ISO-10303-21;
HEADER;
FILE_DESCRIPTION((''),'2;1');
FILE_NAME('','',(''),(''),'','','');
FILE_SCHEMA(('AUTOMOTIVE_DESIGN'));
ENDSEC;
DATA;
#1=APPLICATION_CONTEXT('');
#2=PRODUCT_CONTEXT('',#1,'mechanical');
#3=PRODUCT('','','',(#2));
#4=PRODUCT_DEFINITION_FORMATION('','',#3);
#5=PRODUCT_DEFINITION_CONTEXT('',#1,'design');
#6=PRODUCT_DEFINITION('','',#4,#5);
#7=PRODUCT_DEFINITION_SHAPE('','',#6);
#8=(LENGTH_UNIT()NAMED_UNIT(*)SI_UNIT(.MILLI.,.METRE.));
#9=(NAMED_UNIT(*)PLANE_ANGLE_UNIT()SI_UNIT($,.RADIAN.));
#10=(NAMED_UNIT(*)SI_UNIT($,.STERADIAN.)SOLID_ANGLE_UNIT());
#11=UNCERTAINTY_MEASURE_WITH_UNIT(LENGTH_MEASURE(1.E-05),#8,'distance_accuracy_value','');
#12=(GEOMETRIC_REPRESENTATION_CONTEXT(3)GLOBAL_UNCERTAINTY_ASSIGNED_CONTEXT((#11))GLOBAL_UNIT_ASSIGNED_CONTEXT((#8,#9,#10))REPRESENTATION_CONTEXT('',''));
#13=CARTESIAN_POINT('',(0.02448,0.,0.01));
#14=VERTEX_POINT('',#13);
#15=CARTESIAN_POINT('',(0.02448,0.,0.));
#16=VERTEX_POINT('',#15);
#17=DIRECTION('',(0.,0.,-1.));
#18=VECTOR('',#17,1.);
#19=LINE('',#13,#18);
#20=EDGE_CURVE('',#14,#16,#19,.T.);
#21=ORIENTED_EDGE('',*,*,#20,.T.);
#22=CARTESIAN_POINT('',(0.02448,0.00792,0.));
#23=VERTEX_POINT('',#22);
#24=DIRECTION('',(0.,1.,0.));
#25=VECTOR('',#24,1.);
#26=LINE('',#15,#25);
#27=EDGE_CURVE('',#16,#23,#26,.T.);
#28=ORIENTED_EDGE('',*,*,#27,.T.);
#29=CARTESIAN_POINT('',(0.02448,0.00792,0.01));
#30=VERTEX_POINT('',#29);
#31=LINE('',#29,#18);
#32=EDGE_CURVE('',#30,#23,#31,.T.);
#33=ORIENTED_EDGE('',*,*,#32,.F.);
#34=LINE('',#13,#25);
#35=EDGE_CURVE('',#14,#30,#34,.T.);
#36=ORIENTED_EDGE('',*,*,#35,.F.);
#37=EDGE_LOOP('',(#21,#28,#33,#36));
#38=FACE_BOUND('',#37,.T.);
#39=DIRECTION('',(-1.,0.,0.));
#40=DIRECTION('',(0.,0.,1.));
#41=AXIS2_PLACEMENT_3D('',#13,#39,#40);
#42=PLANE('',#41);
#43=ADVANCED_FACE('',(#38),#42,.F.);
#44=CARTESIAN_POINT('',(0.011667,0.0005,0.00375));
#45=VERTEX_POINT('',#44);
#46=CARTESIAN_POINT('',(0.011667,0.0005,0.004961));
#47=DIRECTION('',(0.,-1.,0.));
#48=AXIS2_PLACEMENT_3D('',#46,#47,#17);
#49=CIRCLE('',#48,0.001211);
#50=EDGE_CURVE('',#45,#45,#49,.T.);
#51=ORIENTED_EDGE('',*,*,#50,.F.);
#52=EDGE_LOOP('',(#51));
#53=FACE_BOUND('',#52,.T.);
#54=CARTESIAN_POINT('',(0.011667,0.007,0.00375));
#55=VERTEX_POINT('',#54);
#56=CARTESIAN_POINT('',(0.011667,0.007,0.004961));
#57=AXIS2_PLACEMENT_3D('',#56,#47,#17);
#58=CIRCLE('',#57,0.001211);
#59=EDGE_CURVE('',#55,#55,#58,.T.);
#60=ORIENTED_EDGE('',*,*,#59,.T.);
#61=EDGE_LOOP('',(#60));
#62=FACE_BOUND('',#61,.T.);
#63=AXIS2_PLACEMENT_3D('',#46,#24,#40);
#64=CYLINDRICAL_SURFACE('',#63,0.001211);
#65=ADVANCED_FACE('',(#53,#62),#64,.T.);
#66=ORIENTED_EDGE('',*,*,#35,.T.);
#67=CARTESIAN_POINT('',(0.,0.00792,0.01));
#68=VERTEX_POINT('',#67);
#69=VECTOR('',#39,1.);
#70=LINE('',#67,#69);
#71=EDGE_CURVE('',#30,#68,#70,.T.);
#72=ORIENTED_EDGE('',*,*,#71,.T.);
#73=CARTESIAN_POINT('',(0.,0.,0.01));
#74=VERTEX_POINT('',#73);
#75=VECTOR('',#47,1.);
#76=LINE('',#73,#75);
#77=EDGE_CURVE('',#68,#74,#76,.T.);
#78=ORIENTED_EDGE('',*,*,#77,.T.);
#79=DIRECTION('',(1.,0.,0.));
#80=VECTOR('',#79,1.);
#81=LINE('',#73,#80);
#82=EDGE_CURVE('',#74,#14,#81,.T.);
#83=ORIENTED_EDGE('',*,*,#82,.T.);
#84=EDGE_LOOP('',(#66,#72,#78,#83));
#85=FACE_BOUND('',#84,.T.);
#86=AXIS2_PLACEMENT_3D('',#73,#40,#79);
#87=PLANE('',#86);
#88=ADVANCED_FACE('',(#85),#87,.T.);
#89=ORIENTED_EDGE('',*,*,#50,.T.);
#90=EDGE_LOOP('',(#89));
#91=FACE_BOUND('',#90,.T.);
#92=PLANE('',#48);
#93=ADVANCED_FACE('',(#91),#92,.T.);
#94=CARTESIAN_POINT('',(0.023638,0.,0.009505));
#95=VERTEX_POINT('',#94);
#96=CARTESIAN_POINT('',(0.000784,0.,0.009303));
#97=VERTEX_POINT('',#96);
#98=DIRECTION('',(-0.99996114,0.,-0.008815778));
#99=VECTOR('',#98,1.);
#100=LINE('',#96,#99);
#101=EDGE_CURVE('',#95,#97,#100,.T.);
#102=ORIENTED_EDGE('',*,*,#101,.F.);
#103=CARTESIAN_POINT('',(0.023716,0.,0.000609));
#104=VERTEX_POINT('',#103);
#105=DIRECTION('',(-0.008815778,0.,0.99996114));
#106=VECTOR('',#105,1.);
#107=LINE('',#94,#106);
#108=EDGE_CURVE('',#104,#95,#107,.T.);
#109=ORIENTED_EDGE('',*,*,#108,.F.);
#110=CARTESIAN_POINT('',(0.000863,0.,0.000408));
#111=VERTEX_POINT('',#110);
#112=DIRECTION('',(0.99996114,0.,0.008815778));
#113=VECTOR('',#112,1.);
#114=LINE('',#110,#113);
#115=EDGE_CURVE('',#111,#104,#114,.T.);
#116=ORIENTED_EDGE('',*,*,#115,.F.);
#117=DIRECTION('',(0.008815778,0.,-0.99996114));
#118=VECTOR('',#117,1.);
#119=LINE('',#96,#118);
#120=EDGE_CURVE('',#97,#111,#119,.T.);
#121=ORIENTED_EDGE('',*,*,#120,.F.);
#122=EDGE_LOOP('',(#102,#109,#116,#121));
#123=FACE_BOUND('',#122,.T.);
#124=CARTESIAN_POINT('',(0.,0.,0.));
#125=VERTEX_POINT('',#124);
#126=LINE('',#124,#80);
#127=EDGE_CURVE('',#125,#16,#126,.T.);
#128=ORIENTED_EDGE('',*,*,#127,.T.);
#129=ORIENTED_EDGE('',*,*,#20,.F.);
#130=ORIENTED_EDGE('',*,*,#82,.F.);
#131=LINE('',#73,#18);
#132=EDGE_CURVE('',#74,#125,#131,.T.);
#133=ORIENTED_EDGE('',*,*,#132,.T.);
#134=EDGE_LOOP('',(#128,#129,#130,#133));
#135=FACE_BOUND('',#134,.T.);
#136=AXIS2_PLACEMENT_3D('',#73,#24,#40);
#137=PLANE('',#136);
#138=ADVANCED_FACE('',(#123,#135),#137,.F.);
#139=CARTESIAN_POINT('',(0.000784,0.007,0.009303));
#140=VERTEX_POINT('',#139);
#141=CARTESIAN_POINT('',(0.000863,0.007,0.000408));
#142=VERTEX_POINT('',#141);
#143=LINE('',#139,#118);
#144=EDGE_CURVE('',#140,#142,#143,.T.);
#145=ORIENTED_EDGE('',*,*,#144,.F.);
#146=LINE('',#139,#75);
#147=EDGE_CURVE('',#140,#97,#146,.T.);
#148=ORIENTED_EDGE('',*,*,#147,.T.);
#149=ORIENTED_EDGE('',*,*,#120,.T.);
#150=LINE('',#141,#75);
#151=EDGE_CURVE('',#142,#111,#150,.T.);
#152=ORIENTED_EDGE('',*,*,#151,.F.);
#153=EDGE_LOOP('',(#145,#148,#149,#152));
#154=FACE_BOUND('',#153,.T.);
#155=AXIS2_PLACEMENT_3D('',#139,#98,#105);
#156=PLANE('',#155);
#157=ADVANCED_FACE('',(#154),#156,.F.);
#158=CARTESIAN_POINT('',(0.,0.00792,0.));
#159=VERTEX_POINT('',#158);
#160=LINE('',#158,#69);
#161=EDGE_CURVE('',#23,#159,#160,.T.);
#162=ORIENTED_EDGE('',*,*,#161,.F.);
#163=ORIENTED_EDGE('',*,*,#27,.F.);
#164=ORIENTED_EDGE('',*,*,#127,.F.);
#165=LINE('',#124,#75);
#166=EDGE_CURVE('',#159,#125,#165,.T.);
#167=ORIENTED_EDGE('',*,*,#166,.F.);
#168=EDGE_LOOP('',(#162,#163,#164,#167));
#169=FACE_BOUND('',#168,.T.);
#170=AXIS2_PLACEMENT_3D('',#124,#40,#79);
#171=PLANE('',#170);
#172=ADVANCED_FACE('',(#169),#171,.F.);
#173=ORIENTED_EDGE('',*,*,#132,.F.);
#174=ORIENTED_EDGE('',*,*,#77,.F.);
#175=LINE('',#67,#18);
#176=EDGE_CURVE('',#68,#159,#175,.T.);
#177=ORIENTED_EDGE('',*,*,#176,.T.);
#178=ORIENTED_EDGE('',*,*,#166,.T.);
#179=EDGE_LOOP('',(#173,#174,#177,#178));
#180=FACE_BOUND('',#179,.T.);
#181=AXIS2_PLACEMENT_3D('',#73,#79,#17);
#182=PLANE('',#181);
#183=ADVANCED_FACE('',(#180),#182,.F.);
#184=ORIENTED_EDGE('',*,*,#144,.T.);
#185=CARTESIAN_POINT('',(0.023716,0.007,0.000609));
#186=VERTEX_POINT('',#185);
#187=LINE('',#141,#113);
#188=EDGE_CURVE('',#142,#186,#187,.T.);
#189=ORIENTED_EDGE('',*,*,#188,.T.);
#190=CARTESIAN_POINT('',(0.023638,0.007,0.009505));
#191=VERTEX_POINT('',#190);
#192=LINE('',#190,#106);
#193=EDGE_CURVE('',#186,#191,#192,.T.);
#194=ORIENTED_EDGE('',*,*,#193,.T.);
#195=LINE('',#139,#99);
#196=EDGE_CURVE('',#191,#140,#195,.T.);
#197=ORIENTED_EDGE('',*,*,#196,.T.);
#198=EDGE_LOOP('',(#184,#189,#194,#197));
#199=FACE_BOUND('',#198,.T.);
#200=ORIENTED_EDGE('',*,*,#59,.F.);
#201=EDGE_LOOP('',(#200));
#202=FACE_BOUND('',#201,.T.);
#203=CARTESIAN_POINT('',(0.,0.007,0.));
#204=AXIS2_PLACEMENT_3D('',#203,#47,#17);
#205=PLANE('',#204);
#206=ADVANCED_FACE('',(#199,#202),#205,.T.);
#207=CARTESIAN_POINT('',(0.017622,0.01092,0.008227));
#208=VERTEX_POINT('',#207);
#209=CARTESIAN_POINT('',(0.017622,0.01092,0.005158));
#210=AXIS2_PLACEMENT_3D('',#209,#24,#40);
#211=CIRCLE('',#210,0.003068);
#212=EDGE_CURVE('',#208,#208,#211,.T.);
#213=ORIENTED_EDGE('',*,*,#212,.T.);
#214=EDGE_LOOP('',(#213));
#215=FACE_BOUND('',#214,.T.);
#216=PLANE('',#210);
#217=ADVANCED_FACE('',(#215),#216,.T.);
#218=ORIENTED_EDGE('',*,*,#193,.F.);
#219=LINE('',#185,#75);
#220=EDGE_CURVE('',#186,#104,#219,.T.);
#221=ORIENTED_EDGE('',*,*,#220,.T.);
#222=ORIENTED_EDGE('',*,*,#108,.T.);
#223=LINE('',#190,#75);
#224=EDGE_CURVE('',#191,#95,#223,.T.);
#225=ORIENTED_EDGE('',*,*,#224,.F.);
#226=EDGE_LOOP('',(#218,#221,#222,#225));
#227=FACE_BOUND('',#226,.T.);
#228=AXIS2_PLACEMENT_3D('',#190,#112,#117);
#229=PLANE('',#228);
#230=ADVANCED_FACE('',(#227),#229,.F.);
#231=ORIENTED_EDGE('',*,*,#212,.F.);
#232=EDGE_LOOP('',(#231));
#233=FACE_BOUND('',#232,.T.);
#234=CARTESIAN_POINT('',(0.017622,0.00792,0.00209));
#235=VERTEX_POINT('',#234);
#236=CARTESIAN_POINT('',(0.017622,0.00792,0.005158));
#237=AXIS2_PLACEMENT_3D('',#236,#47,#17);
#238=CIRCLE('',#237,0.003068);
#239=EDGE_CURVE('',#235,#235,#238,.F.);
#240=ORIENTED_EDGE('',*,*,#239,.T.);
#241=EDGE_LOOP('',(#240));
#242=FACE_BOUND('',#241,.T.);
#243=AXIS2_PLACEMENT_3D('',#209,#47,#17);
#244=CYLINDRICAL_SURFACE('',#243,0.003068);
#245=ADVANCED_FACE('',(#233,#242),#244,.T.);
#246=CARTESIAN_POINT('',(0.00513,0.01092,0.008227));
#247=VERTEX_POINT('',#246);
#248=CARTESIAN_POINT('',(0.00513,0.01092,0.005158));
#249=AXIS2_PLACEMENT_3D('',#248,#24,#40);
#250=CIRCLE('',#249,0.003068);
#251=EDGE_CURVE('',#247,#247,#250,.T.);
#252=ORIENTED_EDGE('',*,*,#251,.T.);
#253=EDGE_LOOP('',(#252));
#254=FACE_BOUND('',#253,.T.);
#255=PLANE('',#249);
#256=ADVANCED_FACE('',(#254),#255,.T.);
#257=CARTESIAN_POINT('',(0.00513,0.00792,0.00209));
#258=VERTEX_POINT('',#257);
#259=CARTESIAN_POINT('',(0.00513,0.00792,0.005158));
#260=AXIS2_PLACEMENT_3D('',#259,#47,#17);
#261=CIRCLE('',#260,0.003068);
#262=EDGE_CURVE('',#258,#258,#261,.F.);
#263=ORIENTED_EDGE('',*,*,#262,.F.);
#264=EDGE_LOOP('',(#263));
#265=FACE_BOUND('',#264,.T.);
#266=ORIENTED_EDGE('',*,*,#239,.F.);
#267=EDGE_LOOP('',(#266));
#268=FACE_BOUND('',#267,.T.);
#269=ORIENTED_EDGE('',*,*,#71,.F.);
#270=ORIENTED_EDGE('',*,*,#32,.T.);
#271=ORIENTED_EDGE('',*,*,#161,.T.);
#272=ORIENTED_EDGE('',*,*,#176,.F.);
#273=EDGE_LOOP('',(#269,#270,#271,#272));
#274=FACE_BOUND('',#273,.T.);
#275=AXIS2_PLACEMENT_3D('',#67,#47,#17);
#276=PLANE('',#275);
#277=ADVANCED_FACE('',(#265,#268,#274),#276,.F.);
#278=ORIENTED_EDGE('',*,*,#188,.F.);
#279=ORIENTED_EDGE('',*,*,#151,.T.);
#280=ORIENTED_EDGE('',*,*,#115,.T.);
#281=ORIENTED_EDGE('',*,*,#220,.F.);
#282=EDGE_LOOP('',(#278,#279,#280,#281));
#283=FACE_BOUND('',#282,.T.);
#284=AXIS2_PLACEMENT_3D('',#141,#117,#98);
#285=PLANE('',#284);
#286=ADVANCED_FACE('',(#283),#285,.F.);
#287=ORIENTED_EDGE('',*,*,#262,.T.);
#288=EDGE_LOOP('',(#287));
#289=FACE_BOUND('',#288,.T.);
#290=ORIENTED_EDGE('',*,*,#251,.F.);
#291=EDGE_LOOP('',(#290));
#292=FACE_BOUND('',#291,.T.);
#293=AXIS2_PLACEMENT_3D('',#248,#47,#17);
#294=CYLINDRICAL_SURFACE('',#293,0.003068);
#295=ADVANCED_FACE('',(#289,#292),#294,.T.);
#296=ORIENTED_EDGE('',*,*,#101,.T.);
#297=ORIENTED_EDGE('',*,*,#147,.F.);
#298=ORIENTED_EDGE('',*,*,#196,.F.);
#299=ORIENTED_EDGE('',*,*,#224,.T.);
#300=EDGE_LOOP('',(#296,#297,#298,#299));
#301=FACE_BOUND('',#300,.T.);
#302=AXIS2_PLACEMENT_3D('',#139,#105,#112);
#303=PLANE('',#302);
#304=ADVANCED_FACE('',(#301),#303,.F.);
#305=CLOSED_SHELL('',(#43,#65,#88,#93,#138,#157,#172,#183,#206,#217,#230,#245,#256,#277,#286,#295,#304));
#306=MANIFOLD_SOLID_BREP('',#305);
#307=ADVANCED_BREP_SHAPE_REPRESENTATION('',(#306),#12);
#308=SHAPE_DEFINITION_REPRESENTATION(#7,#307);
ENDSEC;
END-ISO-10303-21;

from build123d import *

# Parameters (mm, degrees)
ESQUISSE1_W             = 0.024479563
ESQUISSE1_H             = 0.007919518
BOSS_EXTRU_2_DEPTH      = 0.01
ENL_V_MAT_EXTRU_2_DEPTH = 0.007
ESQUISSE4_R             = 0.003068472
ESQUISSE4_R_2           = 0.003068475
BOSS_EXTRU_3_DEPTH      = 0.003
ESQUISSE5_R             = 0.001210602
BOSS_EXTRU_4_DEPTH      = 0.0065


with BuildPart() as part:
    # Esquisse1 → Boss.-Extru.2 (new body)
    with BuildSketch(Plane.XY):
        with Locations((0.012239782, 0.003959759)):
            Rectangle(ESQUISSE1_W, ESQUISSE1_H)
    extrude(amount=BOSS_EXTRU_2_DEPTH)

    # Esquisse3 → Enlèv. mat.-Extru.2 (cut)
    with BuildSketch(Plane(origin=(0, 0, 0), x_dir=(-1, 0, 0), z_dir=(0, -1, 0))):
        Polygon((-0.000784109, -0.009303073), (-0.023637888, -0.009504555), (-0.02371631, -0.000609239), (-0.000862531, -0.000407757), align=None)
    extrude(amount=-ENL_V_MAT_EXTRU_2_DEPTH, mode=Mode.SUBTRACT)

    # Esquisse4 → Boss.-Extru.3 (add)
    with BuildSketch(Plane(origin=(0, 0.007919518, 0), x_dir=(1, 0, 0), z_dir=(0, 1, 0))):
        with Locations((0.005130357, -0.005158307)):
            Circle(ESQUISSE4_R)
        with Locations((0.017622221, -0.005158307)):
            Circle(ESQUISSE4_R_2)
    extrude(amount=BOSS_EXTRU_3_DEPTH)

    # Esquisse5 → Boss.-Extru.4 (add)
    with BuildSketch(Plane(origin=(0, 0.007, 0), x_dir=(-1, 0, 0), z_dir=(0, -1, 0))):
        with Locations((-0.011667014, -0.004960674)):
            Circle(ESQUISSE5_R)
    extrude(amount=BOSS_EXTRU_4_DEPTH)


solid = part.part
